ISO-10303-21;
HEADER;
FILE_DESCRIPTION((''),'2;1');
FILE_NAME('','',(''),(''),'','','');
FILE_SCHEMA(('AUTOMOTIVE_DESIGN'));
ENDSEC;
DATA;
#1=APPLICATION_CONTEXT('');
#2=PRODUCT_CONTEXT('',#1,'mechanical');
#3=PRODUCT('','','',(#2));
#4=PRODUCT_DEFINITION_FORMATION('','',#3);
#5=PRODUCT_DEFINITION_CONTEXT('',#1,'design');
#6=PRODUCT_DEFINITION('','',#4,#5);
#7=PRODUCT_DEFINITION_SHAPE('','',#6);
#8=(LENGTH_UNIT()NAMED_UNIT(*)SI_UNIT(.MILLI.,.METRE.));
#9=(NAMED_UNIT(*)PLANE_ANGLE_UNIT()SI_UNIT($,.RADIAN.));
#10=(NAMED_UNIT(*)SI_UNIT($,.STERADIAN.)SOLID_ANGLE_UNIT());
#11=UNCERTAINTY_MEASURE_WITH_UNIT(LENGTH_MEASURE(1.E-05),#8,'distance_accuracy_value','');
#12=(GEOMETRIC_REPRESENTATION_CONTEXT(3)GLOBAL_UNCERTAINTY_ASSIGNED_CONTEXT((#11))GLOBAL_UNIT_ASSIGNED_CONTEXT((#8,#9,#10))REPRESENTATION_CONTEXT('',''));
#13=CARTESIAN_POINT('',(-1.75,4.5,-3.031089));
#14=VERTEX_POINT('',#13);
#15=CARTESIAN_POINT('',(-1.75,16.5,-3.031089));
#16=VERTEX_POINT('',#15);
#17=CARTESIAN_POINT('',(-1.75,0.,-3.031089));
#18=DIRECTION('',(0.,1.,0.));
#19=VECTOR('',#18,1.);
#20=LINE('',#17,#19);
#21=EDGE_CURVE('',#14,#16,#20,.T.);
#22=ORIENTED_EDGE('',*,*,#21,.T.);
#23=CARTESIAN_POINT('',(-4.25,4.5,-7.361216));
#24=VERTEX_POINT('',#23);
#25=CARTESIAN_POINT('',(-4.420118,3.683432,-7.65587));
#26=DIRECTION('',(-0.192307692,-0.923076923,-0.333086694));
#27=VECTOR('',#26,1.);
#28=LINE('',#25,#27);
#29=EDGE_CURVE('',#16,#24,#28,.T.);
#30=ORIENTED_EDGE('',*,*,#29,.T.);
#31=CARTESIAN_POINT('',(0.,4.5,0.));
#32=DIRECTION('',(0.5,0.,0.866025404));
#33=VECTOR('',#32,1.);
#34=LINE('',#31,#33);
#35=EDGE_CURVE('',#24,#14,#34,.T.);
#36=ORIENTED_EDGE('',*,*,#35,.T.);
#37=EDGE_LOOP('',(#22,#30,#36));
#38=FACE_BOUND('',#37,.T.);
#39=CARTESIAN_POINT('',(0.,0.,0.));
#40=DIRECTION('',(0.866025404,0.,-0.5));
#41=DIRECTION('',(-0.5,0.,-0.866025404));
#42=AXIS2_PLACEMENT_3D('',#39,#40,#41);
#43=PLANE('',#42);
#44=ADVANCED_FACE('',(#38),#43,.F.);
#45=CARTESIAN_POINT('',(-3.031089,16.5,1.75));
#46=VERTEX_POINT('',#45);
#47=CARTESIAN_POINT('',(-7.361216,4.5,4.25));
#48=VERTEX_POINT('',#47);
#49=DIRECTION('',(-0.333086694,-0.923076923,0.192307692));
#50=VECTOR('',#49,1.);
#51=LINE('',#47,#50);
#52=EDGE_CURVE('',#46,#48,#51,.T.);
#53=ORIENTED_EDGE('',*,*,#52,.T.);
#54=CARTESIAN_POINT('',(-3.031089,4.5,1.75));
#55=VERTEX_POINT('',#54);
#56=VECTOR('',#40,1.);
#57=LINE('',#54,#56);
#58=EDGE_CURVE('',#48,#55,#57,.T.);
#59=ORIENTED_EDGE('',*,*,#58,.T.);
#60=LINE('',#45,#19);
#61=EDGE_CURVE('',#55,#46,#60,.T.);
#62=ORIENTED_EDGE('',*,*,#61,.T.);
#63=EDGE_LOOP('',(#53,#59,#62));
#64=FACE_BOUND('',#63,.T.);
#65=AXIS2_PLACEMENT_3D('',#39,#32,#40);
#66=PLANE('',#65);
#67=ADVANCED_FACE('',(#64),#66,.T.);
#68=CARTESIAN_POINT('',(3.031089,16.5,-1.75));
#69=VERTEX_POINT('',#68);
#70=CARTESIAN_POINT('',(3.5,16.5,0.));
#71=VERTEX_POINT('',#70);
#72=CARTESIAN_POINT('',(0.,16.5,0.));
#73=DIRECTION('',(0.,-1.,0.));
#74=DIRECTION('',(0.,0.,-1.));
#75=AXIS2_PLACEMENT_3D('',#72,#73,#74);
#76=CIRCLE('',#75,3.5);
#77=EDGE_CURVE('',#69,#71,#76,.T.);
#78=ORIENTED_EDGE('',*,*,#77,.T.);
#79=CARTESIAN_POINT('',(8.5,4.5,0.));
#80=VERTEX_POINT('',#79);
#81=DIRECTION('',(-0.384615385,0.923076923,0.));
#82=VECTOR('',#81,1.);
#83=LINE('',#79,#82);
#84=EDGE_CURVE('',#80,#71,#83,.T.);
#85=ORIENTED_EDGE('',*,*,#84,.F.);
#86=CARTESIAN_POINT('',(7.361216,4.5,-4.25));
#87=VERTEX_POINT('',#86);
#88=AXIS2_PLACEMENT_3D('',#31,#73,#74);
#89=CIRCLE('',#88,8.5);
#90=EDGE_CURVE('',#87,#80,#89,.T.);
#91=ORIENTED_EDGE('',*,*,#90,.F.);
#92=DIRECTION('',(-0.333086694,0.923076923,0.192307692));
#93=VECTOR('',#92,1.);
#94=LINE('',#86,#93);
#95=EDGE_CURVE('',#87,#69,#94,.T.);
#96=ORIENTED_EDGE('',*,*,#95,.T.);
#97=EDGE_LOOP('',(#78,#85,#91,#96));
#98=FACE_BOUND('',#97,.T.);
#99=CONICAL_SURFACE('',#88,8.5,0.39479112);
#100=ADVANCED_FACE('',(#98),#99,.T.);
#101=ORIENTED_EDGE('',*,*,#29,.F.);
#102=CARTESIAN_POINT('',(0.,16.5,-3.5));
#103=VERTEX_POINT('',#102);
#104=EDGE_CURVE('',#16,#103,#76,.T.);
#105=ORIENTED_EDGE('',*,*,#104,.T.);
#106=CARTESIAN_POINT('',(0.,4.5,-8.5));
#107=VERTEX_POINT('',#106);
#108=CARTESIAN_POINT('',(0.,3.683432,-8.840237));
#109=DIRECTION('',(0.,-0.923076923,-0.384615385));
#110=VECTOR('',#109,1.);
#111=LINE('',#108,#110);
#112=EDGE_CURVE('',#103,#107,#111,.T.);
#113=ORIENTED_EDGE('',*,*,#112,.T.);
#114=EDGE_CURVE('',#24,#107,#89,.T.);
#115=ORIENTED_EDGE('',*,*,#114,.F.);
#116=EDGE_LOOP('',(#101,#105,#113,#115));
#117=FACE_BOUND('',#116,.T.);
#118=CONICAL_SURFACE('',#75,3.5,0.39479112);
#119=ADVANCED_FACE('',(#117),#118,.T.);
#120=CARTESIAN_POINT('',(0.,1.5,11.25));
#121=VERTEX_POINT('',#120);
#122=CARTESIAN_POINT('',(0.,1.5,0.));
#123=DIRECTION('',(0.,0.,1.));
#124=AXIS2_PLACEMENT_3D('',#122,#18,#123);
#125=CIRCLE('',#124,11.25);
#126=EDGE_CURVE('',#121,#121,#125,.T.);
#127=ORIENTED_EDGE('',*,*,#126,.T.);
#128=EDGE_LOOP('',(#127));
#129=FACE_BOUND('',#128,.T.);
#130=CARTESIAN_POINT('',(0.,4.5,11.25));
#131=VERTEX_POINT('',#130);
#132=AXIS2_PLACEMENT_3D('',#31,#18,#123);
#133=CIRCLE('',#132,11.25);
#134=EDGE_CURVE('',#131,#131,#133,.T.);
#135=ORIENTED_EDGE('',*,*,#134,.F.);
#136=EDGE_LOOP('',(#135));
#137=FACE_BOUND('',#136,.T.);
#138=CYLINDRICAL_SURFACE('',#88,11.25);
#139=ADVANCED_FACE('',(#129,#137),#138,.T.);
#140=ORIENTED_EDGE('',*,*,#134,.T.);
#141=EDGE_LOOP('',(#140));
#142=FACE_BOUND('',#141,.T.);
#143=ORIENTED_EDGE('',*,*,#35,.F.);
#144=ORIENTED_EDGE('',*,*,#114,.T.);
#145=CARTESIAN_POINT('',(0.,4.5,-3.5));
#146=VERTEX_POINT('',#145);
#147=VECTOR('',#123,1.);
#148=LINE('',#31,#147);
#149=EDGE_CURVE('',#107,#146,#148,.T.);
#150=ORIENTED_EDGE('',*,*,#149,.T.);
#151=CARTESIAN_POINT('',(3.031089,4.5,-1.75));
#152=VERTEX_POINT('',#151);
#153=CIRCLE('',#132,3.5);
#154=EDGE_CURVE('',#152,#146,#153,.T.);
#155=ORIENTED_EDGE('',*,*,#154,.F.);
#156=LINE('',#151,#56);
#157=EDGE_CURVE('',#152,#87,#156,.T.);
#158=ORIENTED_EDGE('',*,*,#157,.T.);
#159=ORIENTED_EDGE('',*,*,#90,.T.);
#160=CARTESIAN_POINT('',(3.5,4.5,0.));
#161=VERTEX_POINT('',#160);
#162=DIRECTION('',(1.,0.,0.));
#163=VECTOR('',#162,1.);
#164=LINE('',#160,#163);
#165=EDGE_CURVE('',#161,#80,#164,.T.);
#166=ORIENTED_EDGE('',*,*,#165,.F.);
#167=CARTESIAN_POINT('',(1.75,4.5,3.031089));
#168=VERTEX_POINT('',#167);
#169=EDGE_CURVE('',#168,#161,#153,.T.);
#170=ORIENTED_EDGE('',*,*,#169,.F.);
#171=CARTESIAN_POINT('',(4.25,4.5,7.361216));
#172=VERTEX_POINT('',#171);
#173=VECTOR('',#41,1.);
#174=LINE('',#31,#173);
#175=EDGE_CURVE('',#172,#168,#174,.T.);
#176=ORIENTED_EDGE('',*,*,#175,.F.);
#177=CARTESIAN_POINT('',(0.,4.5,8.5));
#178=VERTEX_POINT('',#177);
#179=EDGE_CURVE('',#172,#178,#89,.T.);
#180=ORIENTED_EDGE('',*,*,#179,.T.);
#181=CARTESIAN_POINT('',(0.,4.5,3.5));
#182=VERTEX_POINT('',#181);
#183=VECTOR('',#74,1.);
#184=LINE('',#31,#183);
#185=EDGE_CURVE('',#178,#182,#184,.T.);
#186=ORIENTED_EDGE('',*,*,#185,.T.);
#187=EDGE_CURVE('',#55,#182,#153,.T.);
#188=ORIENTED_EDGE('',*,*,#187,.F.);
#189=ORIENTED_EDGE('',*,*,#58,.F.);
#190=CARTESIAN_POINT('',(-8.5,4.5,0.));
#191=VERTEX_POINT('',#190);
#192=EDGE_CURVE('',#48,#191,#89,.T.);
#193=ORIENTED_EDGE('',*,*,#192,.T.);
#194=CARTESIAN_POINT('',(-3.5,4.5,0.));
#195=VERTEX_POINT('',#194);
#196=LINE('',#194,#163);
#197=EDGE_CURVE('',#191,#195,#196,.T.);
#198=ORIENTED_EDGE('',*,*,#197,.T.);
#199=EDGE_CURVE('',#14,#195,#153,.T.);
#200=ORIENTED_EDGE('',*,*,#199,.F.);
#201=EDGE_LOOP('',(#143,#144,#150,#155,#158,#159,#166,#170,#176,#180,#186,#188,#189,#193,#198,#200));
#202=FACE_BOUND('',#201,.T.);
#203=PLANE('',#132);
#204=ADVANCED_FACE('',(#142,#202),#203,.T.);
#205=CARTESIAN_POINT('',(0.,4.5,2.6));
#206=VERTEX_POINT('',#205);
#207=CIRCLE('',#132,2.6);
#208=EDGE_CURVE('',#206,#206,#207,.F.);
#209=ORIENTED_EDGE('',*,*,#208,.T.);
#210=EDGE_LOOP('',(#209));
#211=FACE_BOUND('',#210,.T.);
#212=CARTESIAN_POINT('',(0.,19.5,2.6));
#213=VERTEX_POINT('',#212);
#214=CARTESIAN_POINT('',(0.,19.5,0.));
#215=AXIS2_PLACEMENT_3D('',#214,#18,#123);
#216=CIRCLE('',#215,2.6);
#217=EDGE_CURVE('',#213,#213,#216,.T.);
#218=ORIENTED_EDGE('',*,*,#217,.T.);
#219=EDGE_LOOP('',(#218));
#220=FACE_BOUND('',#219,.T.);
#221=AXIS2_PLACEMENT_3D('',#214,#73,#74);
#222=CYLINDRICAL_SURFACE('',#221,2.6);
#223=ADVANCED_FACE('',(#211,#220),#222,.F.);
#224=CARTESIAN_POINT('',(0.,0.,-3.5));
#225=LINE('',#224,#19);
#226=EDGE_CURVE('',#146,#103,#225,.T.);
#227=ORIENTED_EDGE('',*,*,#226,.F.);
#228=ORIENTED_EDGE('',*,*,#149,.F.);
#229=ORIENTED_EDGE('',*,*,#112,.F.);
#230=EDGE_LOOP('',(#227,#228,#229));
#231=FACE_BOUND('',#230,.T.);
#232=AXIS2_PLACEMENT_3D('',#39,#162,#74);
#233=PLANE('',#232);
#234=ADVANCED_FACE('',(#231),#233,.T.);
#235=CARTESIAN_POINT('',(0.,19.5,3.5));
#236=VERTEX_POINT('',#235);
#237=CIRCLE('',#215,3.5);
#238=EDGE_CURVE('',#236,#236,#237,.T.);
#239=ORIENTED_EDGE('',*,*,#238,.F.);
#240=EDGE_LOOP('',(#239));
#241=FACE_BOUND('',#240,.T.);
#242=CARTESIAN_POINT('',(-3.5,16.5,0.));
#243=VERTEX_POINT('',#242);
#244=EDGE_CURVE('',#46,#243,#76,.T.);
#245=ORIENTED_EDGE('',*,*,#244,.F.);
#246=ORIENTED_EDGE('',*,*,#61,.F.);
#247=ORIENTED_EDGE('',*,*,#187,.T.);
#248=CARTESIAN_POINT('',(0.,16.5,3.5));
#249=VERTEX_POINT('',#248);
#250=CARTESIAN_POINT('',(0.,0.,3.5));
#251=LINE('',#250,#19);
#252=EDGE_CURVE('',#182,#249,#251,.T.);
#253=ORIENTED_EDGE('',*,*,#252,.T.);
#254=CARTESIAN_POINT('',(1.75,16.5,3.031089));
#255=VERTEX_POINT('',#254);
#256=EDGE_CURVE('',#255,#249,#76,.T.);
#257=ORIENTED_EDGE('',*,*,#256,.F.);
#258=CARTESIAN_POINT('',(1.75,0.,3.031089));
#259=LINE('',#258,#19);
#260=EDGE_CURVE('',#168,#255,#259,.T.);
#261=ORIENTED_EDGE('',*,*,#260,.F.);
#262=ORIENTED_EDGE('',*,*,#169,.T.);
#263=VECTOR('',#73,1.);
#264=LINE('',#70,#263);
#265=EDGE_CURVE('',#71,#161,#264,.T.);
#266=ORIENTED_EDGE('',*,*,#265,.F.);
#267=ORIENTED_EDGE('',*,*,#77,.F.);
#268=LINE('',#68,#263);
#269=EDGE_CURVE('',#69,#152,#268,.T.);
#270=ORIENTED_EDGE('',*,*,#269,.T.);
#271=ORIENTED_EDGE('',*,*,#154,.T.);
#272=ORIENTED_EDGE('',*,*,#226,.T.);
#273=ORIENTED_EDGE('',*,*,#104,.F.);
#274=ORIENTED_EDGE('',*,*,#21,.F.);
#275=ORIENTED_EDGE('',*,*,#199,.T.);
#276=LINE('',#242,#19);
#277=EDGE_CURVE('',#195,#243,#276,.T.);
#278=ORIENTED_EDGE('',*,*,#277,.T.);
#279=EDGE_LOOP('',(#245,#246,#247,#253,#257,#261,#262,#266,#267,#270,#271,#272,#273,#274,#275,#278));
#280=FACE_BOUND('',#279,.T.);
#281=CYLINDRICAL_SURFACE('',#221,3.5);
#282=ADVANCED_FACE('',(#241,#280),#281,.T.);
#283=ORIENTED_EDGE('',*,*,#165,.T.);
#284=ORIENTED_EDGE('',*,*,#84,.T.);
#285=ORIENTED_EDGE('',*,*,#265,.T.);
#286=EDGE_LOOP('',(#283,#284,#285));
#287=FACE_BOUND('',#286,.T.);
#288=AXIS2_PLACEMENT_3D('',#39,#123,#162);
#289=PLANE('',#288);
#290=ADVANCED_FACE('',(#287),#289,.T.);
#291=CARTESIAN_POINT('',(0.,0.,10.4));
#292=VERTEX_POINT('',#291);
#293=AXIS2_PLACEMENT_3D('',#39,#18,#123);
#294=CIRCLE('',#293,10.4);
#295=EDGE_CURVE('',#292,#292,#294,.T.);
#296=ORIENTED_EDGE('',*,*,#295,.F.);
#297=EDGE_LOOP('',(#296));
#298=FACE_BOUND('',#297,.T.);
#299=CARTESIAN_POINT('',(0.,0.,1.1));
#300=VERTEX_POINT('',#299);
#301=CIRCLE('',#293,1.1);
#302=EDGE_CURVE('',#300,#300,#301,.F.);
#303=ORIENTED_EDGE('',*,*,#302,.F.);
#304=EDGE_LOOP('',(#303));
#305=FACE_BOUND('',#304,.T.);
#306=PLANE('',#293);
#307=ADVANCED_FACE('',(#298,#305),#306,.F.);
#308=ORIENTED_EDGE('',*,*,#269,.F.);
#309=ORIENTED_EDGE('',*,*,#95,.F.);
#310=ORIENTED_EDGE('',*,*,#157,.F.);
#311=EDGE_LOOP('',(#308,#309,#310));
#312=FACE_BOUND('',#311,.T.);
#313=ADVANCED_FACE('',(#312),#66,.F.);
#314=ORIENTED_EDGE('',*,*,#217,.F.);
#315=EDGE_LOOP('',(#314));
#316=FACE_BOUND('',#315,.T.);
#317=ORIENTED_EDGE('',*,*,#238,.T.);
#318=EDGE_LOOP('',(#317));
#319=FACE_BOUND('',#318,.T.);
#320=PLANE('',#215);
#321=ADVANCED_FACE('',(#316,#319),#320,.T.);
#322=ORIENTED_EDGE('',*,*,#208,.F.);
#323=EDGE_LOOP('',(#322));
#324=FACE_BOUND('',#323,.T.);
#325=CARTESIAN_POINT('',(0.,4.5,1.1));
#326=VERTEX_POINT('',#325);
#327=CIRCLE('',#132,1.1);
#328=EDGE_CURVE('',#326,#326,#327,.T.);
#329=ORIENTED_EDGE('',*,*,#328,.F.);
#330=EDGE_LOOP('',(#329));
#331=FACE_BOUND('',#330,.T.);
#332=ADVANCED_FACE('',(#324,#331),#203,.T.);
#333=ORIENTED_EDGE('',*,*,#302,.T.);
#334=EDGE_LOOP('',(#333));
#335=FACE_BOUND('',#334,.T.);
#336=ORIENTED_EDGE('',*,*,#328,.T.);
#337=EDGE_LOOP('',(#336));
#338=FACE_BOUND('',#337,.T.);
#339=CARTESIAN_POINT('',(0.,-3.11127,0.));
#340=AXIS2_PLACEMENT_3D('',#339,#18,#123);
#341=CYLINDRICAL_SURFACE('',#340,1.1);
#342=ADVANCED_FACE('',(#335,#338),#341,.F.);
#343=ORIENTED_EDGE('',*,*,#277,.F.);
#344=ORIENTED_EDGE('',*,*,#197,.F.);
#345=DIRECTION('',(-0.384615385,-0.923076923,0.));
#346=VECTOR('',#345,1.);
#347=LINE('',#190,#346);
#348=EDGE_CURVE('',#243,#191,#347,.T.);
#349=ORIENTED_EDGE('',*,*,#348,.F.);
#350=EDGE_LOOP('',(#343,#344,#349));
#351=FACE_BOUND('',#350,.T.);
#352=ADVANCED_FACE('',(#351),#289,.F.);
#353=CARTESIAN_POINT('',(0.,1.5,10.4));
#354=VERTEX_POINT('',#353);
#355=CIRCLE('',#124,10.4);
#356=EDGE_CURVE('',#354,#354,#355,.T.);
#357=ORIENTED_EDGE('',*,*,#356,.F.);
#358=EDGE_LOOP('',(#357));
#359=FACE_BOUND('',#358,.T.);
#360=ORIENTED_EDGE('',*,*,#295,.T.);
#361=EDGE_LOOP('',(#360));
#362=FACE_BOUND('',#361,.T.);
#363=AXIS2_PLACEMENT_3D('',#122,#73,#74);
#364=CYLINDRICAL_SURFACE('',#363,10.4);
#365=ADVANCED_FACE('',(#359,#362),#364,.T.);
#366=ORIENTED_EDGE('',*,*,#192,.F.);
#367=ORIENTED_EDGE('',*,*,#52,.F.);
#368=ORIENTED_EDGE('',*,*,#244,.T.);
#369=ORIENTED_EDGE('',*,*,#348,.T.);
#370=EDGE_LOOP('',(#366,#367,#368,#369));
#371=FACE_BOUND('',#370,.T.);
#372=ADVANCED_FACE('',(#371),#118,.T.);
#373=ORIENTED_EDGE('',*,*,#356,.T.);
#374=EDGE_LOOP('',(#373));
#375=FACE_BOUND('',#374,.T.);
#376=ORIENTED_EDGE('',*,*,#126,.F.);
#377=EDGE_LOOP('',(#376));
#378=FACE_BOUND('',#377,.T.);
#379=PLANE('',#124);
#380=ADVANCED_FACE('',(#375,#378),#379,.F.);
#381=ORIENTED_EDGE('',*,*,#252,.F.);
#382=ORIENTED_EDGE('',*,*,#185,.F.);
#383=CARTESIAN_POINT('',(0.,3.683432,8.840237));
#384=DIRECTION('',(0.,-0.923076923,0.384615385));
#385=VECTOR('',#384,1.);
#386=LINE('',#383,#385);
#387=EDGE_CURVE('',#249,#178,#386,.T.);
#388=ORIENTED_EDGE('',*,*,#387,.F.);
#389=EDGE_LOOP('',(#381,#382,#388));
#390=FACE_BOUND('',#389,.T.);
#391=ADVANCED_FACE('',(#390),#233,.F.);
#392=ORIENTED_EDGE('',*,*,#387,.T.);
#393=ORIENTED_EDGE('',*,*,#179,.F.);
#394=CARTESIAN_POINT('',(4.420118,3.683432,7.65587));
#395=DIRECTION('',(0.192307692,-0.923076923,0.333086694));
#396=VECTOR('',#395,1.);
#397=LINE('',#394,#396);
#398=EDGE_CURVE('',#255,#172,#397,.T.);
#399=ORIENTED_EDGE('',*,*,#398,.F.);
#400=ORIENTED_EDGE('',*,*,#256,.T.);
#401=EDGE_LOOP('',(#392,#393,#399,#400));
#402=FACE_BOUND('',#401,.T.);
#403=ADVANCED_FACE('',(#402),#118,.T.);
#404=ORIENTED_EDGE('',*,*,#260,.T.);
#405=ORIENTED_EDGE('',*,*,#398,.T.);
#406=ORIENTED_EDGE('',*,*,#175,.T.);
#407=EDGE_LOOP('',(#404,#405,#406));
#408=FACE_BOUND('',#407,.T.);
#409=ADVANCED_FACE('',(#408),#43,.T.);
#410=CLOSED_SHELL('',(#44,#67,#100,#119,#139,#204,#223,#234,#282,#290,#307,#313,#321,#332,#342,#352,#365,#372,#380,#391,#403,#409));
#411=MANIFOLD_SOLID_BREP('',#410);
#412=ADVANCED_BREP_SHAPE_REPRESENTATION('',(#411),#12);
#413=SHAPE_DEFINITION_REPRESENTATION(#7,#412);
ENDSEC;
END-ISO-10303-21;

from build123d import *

# Parameters (mm, degrees)
SKETCH_1_R          = 10.4
EXTRUDE_1_DEPTH     = 1.5
SKETCH_2_R          = 11.25
EXTRUDE_2_DEPTH     = 3
SKETCH_3_R          = 3.5
SKETCH_3_R_2        = 2.6
EXTRUDE_3_DEPTH     = 15
SKETCH_3_4_R        = 1.1
CUT_EXTRUDE_2_DEPTH = 4.5
REVOLVE_3_ANGLE     = 30
REVOLVE_4_ANGLE     = 30


with BuildPart() as part:
    # 草图1 → 凸台-拉伸1 (new body)
    with BuildSketch(Plane(origin=(0, 0, 0), x_dir=(1, 0, 0), z_dir=(0, 1, 0))):
        with Locations(Location((0, 0, 0), (0, 0, 270))):
            Circle(SKETCH_1_R)
    extrude(amount=EXTRUDE_1_DEPTH)

    # 草图2 → 凸台-拉伸2 (add)
    with BuildSketch(Plane(origin=(0, 1.5, 0), x_dir=(1, 0, 0), z_dir=(0, 1, 0))):
        with Locations(Location((0, 0, 0), (0, 0, 270))):
            Circle(SKETCH_2_R)
    extrude(amount=EXTRUDE_2_DEPTH)

    # 草图3 → 凸台-拉伸3 (add)
    with BuildSketch(Plane(origin=(0, 4.5, 0), x_dir=(1, 0, 0), z_dir=(0, 1, 0))):
        with Locations(Location((0, 0, 0), (0, 0, 270))):
            Circle(SKETCH_3_R)
        with Locations(Location((0, 0, 0), (0, 0, 270))):
            Circle(SKETCH_3_R_2, mode=Mode.SUBTRACT)
    extrude(amount=EXTRUDE_3_DEPTH)

    # 草图3<4> → 切除-拉伸2 (cut)
    with BuildSketch(Plane(origin=(0, 4.5, 0), x_dir=(1, 0, 0), z_dir=(0, 1, 0))):
        with Locations(Location((0, 0, 0), (0, 0, 270))):
            Circle(SKETCH_3_4_R)
    extrude(amount=-CUT_EXTRUDE_2_DEPTH, mode=Mode.SUBTRACT)

    # 草图6 → 旋转3 (revolve)
    with BuildSketch(Plane(origin=(0, 0, 0), x_dir=(0, 0, -1), z_dir=(1, 0, 0))):
        Polygon((3.5, 4.5), (3.5, 16.5), (8.5, 4.5), align=None)
        Polygon((-8.5, 4.5), (-3.5, 4.5), (-3.5, 16.5), align=None)
    revolve(axis=Axis((0, 0, 0), (0, 1, 0)), revolution_arc=REVOLVE_3_ANGLE)

    # 草图9 → 旋转4 (revolve)
    with BuildSketch(Plane.XY):
        Polygon((3.5, 4.5), (8.5, 4.5), (3.5, 16.5), align=None)
        Polygon((-8.5, 4.5), (-3.5, 16.5), (-3.5, 4.5), align=None)
    revolve(axis=Axis((0, 0, 0), (0, 1, 0)), revolution_arc=REVOLVE_4_ANGLE)


solid = part.part
